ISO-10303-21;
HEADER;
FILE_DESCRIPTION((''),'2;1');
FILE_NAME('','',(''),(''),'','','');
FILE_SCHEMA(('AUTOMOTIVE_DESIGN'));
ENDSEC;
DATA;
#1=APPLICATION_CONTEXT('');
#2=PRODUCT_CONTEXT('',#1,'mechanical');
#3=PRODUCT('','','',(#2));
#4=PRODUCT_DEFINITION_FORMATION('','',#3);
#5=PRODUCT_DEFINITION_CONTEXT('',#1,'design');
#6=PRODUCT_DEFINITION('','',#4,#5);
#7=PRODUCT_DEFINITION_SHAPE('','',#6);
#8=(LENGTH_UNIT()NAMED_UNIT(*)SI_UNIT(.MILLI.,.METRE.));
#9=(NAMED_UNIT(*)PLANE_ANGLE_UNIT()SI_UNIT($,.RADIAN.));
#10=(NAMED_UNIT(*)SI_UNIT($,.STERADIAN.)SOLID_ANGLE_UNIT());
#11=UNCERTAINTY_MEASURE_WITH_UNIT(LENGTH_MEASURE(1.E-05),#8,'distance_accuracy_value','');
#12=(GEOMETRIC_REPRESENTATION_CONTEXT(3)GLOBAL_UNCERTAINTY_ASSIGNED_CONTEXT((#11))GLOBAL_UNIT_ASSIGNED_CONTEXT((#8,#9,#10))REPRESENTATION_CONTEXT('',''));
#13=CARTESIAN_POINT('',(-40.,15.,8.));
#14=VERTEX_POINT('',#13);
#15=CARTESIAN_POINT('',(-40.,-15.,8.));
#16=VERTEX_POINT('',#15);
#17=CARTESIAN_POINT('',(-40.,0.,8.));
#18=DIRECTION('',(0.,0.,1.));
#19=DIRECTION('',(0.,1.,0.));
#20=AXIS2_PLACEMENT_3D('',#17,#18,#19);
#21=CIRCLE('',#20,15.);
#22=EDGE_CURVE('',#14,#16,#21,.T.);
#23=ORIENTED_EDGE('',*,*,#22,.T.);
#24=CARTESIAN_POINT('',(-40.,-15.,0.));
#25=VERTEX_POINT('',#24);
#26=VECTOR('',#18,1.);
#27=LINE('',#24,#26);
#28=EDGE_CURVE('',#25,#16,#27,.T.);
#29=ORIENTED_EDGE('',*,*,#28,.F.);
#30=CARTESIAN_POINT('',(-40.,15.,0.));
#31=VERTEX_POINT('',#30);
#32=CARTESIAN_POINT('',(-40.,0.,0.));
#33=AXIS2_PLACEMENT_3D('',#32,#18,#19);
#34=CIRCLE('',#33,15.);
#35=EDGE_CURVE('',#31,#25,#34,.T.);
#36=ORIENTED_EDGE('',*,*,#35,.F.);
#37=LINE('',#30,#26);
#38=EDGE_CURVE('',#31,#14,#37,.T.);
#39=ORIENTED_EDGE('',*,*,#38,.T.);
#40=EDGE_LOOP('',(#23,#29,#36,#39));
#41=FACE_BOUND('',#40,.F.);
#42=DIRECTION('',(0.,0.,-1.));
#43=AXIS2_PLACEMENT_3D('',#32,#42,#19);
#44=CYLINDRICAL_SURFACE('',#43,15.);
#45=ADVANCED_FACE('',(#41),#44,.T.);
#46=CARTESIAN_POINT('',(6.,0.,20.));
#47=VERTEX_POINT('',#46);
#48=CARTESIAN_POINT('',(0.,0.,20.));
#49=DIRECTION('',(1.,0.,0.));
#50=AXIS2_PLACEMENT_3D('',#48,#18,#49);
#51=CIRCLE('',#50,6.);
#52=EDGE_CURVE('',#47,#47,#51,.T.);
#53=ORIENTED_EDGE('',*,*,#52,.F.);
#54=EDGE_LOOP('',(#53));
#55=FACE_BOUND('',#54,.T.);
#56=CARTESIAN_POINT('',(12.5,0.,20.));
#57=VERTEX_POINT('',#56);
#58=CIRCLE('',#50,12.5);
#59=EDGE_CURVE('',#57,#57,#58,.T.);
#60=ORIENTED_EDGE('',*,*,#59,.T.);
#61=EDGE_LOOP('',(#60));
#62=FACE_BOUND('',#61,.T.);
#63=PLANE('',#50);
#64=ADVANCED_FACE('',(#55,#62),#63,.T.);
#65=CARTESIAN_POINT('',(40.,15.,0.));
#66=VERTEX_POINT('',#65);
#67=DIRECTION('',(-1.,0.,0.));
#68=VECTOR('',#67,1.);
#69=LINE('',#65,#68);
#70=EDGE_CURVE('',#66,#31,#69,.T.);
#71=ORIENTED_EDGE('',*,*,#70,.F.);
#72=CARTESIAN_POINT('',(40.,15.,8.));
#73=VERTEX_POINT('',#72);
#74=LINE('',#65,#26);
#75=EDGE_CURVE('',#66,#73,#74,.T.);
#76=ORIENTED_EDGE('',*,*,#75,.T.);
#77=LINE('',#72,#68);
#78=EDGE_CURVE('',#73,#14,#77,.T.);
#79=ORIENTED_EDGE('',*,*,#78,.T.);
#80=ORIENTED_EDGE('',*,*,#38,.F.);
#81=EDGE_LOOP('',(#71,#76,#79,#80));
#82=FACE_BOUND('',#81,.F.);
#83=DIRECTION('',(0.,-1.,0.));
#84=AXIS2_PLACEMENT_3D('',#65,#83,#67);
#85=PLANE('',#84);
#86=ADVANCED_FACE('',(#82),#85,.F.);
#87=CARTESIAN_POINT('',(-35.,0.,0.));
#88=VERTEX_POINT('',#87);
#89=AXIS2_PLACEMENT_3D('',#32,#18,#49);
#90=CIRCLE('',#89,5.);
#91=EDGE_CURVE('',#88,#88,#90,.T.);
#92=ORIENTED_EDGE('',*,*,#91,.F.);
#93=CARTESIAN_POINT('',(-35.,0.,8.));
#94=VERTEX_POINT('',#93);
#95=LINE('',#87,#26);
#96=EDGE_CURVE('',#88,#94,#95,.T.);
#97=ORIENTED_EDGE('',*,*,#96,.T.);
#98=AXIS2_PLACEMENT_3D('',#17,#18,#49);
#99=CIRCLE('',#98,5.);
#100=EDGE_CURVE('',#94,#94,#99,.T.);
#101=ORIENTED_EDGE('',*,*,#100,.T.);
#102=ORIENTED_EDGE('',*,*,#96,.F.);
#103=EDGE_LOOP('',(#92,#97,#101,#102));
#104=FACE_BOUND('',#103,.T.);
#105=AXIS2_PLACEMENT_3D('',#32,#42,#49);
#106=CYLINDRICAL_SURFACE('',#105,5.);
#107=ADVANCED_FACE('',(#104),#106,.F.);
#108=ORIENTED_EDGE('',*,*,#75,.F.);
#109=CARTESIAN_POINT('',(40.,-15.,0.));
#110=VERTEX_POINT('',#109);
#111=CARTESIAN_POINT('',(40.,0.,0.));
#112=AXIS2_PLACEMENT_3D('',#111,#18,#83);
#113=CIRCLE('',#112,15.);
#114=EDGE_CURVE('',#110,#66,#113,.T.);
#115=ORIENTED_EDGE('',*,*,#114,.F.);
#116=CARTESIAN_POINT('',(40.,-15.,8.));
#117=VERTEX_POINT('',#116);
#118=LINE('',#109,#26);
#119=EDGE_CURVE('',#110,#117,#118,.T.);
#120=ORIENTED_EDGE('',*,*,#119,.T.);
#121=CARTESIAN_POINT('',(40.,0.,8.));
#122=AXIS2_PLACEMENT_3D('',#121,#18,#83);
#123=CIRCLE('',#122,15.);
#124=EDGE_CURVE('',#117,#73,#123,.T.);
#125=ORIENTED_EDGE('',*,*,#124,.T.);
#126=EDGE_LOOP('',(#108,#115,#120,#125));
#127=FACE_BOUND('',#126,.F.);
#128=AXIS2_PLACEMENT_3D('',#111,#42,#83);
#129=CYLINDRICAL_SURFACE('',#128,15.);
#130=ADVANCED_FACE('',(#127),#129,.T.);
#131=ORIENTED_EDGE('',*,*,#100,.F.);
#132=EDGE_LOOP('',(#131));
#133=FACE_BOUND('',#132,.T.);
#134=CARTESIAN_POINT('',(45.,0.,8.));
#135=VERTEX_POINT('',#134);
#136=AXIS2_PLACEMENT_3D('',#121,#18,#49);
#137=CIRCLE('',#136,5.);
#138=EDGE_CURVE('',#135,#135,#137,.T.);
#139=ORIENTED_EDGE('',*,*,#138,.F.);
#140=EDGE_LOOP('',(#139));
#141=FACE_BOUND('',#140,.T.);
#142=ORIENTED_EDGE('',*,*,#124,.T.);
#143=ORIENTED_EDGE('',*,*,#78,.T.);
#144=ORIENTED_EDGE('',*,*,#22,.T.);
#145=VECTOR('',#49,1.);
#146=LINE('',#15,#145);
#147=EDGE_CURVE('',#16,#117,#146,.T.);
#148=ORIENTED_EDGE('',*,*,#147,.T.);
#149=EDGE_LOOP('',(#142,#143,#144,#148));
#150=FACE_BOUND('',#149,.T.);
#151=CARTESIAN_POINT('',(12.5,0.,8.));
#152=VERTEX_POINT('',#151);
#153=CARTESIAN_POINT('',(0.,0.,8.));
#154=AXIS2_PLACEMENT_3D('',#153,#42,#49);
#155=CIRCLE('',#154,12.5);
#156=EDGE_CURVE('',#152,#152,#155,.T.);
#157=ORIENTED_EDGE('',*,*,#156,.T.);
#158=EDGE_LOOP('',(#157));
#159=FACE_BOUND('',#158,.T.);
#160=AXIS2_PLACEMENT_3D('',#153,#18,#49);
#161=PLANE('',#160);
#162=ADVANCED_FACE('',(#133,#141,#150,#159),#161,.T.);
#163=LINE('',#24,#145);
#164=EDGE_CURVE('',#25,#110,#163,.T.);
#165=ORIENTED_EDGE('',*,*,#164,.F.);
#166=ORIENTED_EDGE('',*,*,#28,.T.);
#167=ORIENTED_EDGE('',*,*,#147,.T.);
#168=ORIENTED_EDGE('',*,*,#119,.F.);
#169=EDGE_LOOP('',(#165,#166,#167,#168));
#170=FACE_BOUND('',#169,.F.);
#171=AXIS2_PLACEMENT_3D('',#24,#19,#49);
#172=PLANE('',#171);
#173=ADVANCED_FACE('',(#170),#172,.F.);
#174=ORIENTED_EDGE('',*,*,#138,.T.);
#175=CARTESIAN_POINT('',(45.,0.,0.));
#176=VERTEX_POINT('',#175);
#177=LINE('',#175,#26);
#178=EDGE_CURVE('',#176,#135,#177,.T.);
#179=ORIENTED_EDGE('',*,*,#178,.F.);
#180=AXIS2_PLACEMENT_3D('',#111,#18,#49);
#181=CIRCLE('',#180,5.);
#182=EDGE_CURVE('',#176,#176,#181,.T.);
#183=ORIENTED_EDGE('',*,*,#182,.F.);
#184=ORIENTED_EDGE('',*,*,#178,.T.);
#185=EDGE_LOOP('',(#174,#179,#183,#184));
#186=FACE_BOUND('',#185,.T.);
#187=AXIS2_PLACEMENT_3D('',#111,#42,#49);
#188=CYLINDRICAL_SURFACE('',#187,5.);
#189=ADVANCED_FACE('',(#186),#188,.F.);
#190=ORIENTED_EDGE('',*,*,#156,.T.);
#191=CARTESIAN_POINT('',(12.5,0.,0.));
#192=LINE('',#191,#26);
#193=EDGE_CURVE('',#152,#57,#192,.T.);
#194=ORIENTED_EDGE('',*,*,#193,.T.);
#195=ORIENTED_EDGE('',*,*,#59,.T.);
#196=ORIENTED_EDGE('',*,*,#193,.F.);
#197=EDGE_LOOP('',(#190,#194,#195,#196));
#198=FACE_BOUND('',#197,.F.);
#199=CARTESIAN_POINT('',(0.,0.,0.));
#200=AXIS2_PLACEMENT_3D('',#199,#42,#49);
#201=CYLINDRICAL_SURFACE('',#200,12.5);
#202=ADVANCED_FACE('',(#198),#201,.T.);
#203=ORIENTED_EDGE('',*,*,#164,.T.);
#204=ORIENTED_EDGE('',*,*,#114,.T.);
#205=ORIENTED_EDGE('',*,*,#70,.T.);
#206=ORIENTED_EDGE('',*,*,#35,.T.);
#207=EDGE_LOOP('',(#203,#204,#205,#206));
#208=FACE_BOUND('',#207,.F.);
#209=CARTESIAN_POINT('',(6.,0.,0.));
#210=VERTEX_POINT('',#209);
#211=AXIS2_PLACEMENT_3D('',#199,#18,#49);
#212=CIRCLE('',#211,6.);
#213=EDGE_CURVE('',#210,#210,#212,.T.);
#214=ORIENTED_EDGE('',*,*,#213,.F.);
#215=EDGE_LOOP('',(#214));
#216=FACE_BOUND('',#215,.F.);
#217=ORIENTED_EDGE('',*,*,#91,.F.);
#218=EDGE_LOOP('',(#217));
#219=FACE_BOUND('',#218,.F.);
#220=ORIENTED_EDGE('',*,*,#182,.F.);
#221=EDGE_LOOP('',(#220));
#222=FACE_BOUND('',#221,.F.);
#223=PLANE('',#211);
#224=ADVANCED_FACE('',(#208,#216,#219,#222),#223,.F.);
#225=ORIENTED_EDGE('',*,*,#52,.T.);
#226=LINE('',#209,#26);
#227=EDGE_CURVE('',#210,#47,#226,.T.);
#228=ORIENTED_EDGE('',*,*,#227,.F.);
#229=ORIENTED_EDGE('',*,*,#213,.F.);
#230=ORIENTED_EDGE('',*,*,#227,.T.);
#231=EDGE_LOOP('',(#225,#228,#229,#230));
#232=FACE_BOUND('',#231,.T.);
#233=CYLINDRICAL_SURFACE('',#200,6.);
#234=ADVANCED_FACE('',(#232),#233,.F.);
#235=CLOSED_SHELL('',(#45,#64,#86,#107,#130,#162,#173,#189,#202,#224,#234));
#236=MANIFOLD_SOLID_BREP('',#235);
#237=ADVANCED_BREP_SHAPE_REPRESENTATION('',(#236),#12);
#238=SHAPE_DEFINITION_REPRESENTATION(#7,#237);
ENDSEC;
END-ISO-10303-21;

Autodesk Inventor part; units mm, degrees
ref_plane "YZ Plane" through (0, 0, 0) normal (1, 0, 0) x (0, 1, 0)
ref_plane "XZ Plane" through (0, 0, 0) normal (0, 1, 0) x (-1, 0, 0)
ref_plane "XY Plane" through (0, 0, 0) normal (0, 0, 1) x (1, 0, 0)
sketch "Эскиз1" plane through (0, 0, 0) normal (0, 0, 1) x (1, 0, 0)
  line L0 (-40, 0) -> (40, 0) construction
  line L1 (-40, -15) -> (40, -15)
  line L2 (40, 15) -> (-40, 15)
  arc A0 (-40, 15) -> (-40, -15) centre (-40, 0) ccw
  arc A1 (40, -15) -> (40, 15) centre (40, 0) ccw
  circle A2 centre (0, 0) radius 12.5
  circle A3 centre (0, 0) radius 6
  circle A4 centre (40, 0) radius 5
  circle A5 centre (-40, 0) radius 5
  dimension "d2" = 80
  dimension "d3" = 30
  dimension "d4" = 25
  dimension "d5" = 12
  dimension "d6" = 10
  dimension "d7" = 10
extrude "Выдавливание1" add sketch "Эскиз1" along normal blind 8 contours A0 L2 A1 L1 | A2 | A4 | A5
extrude "Выдавливание2" cut sketch "Эскиз1" along normal blind 8 contours A4 | A5
extrude "Выдавливание3" add sketch "Эскиз1" along normal blind 20 contours A2
properties part number "lab3_1" material "Свинец"
